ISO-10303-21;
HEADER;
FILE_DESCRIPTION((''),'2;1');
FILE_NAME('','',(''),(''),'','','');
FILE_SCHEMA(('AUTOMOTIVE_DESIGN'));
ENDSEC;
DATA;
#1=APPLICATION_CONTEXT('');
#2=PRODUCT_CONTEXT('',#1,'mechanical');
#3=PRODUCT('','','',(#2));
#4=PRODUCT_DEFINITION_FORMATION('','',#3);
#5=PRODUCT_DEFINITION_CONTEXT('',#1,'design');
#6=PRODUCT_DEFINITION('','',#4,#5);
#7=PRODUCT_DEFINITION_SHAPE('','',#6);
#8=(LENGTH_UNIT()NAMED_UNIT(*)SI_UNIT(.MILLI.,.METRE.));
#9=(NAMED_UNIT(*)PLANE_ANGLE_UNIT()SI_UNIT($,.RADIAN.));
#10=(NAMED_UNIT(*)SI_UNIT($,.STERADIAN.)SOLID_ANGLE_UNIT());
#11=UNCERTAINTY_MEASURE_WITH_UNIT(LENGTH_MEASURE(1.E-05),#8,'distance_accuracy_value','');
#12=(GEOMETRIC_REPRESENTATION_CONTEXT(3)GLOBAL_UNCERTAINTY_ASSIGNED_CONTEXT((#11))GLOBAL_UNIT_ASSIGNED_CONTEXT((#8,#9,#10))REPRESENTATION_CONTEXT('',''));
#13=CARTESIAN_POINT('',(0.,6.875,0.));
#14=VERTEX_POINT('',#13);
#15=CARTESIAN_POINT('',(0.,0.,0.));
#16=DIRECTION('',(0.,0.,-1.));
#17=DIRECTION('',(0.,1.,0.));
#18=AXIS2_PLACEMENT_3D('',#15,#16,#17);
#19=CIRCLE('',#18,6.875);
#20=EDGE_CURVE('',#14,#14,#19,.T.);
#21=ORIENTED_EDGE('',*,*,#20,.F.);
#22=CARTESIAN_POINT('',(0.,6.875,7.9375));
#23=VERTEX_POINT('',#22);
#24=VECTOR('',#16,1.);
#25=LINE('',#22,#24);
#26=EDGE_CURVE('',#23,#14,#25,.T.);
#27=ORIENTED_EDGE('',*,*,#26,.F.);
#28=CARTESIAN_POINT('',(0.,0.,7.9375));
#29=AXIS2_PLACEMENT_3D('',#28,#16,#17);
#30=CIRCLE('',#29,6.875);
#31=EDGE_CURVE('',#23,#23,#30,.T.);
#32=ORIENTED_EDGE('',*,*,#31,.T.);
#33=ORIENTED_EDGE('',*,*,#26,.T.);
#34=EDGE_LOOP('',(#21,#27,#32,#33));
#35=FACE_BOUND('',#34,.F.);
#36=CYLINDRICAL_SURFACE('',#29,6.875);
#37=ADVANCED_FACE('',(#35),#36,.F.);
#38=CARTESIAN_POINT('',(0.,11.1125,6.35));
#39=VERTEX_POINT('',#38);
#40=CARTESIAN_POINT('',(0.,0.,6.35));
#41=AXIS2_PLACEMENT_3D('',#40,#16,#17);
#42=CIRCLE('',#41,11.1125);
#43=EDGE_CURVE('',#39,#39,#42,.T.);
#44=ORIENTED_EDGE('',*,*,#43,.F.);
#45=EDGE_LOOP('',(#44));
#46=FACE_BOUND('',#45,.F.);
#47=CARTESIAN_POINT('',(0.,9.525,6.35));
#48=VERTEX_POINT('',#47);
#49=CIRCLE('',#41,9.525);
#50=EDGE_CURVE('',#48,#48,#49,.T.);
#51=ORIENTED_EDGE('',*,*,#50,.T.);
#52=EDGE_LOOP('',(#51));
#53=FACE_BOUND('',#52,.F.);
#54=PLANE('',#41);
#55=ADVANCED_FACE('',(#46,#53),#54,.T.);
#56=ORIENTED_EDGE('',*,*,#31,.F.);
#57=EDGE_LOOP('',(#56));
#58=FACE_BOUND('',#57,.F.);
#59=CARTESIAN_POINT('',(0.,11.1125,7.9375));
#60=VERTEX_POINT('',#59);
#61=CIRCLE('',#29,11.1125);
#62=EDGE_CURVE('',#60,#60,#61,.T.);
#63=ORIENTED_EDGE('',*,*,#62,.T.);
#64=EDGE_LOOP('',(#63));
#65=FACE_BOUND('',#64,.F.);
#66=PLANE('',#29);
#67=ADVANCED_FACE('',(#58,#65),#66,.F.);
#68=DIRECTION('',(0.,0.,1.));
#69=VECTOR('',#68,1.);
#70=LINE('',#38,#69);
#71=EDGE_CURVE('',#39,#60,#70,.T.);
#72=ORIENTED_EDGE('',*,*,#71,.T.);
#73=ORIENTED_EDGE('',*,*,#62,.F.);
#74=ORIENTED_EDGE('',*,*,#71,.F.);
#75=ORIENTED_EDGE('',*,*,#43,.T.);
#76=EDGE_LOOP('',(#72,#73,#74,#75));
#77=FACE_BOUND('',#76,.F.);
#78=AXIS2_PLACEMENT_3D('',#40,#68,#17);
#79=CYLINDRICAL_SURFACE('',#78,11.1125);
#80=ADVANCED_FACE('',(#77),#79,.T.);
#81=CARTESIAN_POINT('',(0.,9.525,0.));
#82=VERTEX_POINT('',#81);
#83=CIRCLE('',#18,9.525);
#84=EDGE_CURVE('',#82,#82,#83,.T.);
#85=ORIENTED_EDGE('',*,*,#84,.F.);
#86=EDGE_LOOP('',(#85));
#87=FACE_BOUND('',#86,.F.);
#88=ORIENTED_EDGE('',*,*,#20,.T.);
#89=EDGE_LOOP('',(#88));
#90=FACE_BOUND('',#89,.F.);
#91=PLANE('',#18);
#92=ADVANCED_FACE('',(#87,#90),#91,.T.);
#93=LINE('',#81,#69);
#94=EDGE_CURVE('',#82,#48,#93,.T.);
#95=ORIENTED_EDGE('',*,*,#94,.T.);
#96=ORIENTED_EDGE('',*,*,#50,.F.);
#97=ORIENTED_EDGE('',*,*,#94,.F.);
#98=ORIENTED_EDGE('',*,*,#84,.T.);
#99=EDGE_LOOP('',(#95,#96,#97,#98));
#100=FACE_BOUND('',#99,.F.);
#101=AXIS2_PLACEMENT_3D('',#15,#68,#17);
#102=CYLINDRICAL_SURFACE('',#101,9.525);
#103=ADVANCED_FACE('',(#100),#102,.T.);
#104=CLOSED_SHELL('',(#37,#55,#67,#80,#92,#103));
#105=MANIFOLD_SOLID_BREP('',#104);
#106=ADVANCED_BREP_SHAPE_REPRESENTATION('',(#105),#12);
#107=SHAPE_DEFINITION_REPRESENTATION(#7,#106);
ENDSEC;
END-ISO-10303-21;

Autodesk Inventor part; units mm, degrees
ref_plane "YZ Plane" through (0, 0, 0) normal (1, 0, 0) x (0, 1, 0)
ref_plane "XZ Plane" through (0, 0, 0) normal (0, 1, 0) x (-1, 0, 0)
ref_plane "XY Plane" through (0, 0, 0) normal (0, 0, 1) x (1, 0, 0)
sketch "Sketch1" plane through (0, 0, 0) normal (1, 0, 0) x (0, 1, 0)
  line L0 (0, 0) -> (9.525, 0)
  line L1 (9.525, 0) -> (9.525, 6.35)
  line L2 (9.525, 6.35) -> (11.1125, 6.35)
  line L3 (11.1125, 6.35) -> (11.1125, 7.9375)
  line L4 (11.1125, 7.9375) -> (0, 7.9375)
  line L5 (0, 7.9375) -> (0, 0) construction
  line L6 (6.875, 7.9375) -> (6.875, 0)
  dimension "d0" = 22.225
  dimension "d1" = 19.05
  dimension "d2" = 13.75
  dimension "d3" = 7.9375
  dimension "d4" = 6.35
revolve "Revolution1" add sketch "Sketch1" angle 360 about axis through (0, 0, 7.9375) along (0, 0, -1)
properties part number "Thunderhex Bushing WCP-7348" material "Bronze, Cast"
